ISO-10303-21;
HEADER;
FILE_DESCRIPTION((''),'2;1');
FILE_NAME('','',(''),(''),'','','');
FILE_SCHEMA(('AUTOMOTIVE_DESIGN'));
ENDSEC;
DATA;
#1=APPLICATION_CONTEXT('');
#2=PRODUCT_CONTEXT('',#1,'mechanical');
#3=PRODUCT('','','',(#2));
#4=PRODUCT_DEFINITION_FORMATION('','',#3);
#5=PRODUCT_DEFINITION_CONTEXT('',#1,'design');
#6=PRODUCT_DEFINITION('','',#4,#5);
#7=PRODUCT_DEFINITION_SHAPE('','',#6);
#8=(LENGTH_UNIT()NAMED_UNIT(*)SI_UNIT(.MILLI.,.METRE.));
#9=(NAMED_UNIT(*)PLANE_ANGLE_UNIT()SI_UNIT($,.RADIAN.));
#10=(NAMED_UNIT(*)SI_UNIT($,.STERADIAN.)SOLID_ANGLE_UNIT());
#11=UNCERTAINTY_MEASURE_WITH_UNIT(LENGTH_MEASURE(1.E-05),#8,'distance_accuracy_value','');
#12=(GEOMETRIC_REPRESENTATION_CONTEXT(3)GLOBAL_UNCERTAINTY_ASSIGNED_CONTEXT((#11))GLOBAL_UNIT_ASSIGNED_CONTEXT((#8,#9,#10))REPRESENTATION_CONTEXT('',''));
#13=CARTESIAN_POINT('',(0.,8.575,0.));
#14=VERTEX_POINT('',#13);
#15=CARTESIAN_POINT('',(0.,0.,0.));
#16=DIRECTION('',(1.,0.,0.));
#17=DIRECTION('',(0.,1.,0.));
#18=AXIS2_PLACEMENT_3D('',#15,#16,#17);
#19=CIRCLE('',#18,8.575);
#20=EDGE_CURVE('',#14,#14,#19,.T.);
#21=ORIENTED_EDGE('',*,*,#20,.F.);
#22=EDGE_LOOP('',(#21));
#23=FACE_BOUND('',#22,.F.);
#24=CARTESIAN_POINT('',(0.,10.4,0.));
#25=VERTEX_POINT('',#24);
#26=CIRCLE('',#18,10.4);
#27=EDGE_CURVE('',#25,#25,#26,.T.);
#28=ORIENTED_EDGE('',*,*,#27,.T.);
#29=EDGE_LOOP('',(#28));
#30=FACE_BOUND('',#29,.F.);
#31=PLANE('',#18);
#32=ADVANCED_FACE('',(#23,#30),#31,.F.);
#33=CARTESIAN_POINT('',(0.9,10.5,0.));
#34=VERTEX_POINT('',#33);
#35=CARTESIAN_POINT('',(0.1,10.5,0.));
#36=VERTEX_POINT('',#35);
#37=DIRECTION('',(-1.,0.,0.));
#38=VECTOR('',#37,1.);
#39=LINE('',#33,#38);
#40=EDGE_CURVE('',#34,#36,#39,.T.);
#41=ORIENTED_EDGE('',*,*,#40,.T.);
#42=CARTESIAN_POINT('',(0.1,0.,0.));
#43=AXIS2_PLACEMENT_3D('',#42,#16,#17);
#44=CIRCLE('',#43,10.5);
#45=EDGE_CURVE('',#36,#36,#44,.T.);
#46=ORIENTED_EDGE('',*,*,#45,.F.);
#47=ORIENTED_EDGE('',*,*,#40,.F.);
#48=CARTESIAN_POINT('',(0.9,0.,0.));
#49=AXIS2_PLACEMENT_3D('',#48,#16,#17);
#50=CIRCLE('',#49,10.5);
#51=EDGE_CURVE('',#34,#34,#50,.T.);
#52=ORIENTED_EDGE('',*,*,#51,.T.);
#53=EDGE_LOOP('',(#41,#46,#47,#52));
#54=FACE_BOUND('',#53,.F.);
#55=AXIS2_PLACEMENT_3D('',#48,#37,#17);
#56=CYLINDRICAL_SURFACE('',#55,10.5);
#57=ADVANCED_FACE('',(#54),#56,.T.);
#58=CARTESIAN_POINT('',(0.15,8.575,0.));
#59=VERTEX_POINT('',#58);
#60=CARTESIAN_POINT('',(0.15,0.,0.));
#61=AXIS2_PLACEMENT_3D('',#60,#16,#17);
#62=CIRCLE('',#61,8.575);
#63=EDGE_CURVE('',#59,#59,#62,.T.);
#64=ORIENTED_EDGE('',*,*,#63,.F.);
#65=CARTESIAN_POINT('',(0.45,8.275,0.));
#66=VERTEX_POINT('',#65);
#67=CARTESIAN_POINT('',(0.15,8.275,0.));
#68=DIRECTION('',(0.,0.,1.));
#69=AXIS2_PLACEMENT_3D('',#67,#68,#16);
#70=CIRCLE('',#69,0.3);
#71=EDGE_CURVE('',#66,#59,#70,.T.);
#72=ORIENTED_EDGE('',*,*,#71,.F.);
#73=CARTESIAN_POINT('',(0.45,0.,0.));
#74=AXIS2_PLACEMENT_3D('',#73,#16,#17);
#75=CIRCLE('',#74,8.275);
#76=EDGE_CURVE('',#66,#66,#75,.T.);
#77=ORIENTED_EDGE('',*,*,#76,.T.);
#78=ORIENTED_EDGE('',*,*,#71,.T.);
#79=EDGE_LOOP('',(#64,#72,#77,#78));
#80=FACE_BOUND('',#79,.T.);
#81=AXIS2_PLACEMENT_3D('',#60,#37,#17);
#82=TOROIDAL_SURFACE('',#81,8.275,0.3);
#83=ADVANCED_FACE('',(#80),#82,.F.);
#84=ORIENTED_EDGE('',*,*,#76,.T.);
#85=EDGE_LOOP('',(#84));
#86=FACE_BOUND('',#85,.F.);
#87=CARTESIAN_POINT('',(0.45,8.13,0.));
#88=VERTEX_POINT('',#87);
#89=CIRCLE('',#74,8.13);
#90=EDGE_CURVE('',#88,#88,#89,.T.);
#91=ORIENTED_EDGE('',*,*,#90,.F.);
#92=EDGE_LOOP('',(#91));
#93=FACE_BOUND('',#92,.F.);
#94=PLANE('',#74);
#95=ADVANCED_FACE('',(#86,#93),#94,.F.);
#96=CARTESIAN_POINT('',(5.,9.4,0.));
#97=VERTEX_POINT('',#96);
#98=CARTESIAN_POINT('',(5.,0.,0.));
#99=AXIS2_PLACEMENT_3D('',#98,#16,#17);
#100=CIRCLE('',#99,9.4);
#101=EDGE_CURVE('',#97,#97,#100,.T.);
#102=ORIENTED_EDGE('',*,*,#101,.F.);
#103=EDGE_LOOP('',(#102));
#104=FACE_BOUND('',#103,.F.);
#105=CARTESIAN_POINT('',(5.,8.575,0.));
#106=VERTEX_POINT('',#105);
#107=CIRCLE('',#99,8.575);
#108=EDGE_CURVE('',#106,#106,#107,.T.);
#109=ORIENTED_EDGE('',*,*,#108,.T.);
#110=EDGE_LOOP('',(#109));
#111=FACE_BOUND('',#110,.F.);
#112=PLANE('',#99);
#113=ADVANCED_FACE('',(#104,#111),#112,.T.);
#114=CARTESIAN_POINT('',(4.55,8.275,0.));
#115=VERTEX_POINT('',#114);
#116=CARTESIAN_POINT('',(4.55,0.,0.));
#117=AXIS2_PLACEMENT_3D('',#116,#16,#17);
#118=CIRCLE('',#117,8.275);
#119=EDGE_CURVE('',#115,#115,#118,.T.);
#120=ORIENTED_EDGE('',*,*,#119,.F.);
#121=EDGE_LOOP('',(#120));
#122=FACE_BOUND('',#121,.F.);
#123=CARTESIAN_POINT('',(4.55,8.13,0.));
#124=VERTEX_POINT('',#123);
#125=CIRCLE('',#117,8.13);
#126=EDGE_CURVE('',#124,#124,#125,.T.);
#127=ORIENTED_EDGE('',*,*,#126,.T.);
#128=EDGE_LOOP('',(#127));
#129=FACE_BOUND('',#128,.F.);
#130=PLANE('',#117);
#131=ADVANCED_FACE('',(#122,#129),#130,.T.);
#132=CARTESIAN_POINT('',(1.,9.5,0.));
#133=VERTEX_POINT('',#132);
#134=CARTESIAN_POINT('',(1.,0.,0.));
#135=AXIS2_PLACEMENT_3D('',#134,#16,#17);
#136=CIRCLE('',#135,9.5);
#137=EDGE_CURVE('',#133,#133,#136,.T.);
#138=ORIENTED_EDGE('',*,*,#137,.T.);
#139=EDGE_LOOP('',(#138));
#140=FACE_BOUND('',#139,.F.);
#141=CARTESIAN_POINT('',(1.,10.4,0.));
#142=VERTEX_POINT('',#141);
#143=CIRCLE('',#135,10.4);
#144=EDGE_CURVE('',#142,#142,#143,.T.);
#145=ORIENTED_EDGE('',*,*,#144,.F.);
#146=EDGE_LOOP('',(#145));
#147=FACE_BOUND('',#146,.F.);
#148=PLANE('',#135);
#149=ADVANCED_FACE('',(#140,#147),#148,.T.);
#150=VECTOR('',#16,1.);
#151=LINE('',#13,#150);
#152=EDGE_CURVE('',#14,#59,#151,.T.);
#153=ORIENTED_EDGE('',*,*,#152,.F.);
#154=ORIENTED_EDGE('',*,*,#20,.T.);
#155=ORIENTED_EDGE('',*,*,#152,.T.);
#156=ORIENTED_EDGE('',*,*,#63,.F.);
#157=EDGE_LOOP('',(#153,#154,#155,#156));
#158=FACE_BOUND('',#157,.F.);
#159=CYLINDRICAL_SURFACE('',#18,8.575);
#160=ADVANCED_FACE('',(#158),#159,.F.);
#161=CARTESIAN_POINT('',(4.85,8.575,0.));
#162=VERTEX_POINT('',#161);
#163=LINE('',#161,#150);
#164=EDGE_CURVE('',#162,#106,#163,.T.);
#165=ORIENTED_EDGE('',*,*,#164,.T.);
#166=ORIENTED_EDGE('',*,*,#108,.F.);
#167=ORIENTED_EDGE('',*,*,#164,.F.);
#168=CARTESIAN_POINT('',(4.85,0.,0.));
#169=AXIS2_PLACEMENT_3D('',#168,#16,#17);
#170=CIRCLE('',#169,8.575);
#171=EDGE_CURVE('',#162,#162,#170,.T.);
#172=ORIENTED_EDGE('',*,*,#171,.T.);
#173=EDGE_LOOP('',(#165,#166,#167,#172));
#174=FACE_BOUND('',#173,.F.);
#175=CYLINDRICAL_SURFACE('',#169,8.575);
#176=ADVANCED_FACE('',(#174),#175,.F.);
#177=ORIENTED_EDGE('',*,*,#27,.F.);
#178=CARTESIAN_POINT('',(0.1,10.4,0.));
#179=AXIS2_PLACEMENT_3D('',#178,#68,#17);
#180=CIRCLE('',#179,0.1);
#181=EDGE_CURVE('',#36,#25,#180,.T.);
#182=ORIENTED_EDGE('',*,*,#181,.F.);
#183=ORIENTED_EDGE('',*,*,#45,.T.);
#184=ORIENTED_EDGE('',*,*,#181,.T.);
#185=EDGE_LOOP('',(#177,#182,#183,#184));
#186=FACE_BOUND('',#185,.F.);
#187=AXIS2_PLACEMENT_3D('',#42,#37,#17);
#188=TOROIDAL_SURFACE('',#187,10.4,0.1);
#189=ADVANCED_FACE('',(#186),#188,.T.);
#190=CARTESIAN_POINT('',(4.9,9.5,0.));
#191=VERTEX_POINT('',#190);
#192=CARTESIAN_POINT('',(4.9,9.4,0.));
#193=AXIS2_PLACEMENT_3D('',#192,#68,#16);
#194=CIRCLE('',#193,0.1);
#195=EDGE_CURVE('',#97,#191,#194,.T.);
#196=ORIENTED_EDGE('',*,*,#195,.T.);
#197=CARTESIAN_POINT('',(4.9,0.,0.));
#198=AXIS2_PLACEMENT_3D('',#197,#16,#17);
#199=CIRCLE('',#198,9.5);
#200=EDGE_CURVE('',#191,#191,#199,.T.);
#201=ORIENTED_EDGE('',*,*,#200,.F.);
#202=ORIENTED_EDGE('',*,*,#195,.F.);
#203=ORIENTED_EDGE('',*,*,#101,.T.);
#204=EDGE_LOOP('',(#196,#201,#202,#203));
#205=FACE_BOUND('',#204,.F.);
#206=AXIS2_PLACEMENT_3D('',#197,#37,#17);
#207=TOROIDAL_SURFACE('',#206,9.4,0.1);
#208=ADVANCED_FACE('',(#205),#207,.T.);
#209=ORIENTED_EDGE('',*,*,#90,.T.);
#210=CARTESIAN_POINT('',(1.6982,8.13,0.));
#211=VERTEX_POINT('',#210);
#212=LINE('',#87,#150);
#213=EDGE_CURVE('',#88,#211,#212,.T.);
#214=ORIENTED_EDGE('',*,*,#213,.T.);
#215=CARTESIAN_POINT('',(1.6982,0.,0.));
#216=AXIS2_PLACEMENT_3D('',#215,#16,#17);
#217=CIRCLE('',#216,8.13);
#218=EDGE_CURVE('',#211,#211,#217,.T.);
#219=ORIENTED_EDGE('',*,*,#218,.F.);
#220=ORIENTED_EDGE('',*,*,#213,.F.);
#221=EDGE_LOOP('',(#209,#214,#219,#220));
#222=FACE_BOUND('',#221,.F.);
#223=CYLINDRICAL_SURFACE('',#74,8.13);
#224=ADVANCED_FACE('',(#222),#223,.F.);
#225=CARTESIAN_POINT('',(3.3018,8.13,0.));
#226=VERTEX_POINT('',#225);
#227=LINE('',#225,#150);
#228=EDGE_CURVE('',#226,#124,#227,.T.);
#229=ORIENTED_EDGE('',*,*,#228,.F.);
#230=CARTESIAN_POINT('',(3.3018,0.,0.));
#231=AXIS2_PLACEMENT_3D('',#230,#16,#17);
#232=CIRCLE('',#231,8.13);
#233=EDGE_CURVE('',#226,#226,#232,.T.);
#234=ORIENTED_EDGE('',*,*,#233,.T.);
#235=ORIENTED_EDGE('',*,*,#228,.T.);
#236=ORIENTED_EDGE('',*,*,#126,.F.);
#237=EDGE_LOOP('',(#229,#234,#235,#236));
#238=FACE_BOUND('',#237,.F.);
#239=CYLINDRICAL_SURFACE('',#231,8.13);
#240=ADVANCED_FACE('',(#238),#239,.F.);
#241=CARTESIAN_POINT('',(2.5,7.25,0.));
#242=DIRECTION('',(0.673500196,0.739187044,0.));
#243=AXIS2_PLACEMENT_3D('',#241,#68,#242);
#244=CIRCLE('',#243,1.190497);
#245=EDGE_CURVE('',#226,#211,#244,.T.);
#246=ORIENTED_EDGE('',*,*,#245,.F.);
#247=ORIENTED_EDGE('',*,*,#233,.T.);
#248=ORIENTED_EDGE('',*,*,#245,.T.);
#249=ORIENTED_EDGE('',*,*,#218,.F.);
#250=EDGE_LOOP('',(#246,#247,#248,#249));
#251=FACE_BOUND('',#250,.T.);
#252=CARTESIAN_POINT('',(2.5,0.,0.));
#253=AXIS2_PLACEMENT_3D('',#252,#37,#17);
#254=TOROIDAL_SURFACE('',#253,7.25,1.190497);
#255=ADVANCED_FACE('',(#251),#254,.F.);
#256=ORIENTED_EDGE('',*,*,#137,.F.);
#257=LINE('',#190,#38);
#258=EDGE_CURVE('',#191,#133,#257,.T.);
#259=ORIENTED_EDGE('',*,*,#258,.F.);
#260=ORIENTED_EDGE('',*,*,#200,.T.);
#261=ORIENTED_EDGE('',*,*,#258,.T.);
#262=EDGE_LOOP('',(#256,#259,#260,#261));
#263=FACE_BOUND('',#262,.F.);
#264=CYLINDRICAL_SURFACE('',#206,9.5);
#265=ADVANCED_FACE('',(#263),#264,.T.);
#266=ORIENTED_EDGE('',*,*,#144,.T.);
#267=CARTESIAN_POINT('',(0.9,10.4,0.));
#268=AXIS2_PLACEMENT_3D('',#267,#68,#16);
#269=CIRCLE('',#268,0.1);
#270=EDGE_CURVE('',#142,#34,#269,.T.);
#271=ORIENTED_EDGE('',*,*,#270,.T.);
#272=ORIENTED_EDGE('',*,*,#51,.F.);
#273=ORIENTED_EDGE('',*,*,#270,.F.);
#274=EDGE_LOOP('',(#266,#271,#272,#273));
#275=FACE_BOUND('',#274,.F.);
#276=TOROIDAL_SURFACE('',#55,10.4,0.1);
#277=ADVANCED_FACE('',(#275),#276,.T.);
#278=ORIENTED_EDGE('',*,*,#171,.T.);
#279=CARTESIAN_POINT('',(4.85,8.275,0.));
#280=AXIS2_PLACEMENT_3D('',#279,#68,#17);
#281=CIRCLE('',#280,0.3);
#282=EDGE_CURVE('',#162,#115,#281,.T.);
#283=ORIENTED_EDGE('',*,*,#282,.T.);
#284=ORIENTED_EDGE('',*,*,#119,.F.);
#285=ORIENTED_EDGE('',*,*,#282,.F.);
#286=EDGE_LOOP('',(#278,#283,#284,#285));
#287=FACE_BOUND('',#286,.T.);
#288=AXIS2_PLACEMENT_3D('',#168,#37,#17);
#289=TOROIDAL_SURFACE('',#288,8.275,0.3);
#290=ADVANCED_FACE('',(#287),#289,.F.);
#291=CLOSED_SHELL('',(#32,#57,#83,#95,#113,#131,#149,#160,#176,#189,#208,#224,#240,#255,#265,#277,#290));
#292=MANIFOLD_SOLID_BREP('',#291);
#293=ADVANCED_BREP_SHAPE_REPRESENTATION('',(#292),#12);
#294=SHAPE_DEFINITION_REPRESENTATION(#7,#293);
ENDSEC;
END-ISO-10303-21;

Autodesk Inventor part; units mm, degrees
ref_plane "YZ Plane" through (0, 0, 0) normal (1, 0, 0) x (0, 1, 0)
ref_plane "XZ Plane" through (0, 0, 0) normal (0, 1, 0) x (-1, 0, 0)
ref_plane "XY Plane" through (0, 0, 0) normal (0, 0, 1) x (1, 0, 0)
sketch "Sketch_21" plane through (0, 0, 0) normal (0, 0, 1) x (1, 0, 0)
  line L0 (50, 0) -> (-50, 0)
  line L1 (0, 10.4) -> (0, 8.575)
  line L2 (0, 8.575) -> (0.15, 8.575)
  arc A0 (0.45, 8.275) -> (0.15, 8.575) centre (0.15, 8.275) ccw
  line L3 (0.45, 8.275) -> (0.45, 8.13)
  line L4 (0.45, 8.13) -> (1.6982, 8.13)
  arc A1 (3.3018, 8.13) -> (1.6982, 8.13) centre (2.5, 7.25) ccw
  line L5 (3.3018, 8.13) -> (4.55, 8.13)
  line L6 (4.55, 8.13) -> (4.55, 8.275)
  arc A2 (4.85, 8.575) -> (4.55, 8.275) centre (4.85, 8.275) ccw
  line L7 (4.85, 8.575) -> (5, 8.575)
  line L8 (5, 8.575) -> (5, 9.4)
  arc A3 (5, 9.4) -> (4.9, 9.5) centre (4.9, 9.4) ccw
  line L9 (4.9, 9.5) -> (1, 9.5)
  line L10 (1, 9.5) -> (1, 10.4)
  arc A4 (1, 10.4) -> (0.9, 10.5) centre (0.9, 10.4) ccw
  line L11 (0.9, 10.5) -> (0.1, 10.5)
  arc A5 (0.1, 10.5) -> (0, 10.4) centre (0.1, 10.4) ccw
revolve "Revolution1" add sketch "Sketch_21" angle 360 about axis through (50, 0, 0) along (1, 0, 0)
properties part number "SKF_W 61800 R-2RS1_PART2"
